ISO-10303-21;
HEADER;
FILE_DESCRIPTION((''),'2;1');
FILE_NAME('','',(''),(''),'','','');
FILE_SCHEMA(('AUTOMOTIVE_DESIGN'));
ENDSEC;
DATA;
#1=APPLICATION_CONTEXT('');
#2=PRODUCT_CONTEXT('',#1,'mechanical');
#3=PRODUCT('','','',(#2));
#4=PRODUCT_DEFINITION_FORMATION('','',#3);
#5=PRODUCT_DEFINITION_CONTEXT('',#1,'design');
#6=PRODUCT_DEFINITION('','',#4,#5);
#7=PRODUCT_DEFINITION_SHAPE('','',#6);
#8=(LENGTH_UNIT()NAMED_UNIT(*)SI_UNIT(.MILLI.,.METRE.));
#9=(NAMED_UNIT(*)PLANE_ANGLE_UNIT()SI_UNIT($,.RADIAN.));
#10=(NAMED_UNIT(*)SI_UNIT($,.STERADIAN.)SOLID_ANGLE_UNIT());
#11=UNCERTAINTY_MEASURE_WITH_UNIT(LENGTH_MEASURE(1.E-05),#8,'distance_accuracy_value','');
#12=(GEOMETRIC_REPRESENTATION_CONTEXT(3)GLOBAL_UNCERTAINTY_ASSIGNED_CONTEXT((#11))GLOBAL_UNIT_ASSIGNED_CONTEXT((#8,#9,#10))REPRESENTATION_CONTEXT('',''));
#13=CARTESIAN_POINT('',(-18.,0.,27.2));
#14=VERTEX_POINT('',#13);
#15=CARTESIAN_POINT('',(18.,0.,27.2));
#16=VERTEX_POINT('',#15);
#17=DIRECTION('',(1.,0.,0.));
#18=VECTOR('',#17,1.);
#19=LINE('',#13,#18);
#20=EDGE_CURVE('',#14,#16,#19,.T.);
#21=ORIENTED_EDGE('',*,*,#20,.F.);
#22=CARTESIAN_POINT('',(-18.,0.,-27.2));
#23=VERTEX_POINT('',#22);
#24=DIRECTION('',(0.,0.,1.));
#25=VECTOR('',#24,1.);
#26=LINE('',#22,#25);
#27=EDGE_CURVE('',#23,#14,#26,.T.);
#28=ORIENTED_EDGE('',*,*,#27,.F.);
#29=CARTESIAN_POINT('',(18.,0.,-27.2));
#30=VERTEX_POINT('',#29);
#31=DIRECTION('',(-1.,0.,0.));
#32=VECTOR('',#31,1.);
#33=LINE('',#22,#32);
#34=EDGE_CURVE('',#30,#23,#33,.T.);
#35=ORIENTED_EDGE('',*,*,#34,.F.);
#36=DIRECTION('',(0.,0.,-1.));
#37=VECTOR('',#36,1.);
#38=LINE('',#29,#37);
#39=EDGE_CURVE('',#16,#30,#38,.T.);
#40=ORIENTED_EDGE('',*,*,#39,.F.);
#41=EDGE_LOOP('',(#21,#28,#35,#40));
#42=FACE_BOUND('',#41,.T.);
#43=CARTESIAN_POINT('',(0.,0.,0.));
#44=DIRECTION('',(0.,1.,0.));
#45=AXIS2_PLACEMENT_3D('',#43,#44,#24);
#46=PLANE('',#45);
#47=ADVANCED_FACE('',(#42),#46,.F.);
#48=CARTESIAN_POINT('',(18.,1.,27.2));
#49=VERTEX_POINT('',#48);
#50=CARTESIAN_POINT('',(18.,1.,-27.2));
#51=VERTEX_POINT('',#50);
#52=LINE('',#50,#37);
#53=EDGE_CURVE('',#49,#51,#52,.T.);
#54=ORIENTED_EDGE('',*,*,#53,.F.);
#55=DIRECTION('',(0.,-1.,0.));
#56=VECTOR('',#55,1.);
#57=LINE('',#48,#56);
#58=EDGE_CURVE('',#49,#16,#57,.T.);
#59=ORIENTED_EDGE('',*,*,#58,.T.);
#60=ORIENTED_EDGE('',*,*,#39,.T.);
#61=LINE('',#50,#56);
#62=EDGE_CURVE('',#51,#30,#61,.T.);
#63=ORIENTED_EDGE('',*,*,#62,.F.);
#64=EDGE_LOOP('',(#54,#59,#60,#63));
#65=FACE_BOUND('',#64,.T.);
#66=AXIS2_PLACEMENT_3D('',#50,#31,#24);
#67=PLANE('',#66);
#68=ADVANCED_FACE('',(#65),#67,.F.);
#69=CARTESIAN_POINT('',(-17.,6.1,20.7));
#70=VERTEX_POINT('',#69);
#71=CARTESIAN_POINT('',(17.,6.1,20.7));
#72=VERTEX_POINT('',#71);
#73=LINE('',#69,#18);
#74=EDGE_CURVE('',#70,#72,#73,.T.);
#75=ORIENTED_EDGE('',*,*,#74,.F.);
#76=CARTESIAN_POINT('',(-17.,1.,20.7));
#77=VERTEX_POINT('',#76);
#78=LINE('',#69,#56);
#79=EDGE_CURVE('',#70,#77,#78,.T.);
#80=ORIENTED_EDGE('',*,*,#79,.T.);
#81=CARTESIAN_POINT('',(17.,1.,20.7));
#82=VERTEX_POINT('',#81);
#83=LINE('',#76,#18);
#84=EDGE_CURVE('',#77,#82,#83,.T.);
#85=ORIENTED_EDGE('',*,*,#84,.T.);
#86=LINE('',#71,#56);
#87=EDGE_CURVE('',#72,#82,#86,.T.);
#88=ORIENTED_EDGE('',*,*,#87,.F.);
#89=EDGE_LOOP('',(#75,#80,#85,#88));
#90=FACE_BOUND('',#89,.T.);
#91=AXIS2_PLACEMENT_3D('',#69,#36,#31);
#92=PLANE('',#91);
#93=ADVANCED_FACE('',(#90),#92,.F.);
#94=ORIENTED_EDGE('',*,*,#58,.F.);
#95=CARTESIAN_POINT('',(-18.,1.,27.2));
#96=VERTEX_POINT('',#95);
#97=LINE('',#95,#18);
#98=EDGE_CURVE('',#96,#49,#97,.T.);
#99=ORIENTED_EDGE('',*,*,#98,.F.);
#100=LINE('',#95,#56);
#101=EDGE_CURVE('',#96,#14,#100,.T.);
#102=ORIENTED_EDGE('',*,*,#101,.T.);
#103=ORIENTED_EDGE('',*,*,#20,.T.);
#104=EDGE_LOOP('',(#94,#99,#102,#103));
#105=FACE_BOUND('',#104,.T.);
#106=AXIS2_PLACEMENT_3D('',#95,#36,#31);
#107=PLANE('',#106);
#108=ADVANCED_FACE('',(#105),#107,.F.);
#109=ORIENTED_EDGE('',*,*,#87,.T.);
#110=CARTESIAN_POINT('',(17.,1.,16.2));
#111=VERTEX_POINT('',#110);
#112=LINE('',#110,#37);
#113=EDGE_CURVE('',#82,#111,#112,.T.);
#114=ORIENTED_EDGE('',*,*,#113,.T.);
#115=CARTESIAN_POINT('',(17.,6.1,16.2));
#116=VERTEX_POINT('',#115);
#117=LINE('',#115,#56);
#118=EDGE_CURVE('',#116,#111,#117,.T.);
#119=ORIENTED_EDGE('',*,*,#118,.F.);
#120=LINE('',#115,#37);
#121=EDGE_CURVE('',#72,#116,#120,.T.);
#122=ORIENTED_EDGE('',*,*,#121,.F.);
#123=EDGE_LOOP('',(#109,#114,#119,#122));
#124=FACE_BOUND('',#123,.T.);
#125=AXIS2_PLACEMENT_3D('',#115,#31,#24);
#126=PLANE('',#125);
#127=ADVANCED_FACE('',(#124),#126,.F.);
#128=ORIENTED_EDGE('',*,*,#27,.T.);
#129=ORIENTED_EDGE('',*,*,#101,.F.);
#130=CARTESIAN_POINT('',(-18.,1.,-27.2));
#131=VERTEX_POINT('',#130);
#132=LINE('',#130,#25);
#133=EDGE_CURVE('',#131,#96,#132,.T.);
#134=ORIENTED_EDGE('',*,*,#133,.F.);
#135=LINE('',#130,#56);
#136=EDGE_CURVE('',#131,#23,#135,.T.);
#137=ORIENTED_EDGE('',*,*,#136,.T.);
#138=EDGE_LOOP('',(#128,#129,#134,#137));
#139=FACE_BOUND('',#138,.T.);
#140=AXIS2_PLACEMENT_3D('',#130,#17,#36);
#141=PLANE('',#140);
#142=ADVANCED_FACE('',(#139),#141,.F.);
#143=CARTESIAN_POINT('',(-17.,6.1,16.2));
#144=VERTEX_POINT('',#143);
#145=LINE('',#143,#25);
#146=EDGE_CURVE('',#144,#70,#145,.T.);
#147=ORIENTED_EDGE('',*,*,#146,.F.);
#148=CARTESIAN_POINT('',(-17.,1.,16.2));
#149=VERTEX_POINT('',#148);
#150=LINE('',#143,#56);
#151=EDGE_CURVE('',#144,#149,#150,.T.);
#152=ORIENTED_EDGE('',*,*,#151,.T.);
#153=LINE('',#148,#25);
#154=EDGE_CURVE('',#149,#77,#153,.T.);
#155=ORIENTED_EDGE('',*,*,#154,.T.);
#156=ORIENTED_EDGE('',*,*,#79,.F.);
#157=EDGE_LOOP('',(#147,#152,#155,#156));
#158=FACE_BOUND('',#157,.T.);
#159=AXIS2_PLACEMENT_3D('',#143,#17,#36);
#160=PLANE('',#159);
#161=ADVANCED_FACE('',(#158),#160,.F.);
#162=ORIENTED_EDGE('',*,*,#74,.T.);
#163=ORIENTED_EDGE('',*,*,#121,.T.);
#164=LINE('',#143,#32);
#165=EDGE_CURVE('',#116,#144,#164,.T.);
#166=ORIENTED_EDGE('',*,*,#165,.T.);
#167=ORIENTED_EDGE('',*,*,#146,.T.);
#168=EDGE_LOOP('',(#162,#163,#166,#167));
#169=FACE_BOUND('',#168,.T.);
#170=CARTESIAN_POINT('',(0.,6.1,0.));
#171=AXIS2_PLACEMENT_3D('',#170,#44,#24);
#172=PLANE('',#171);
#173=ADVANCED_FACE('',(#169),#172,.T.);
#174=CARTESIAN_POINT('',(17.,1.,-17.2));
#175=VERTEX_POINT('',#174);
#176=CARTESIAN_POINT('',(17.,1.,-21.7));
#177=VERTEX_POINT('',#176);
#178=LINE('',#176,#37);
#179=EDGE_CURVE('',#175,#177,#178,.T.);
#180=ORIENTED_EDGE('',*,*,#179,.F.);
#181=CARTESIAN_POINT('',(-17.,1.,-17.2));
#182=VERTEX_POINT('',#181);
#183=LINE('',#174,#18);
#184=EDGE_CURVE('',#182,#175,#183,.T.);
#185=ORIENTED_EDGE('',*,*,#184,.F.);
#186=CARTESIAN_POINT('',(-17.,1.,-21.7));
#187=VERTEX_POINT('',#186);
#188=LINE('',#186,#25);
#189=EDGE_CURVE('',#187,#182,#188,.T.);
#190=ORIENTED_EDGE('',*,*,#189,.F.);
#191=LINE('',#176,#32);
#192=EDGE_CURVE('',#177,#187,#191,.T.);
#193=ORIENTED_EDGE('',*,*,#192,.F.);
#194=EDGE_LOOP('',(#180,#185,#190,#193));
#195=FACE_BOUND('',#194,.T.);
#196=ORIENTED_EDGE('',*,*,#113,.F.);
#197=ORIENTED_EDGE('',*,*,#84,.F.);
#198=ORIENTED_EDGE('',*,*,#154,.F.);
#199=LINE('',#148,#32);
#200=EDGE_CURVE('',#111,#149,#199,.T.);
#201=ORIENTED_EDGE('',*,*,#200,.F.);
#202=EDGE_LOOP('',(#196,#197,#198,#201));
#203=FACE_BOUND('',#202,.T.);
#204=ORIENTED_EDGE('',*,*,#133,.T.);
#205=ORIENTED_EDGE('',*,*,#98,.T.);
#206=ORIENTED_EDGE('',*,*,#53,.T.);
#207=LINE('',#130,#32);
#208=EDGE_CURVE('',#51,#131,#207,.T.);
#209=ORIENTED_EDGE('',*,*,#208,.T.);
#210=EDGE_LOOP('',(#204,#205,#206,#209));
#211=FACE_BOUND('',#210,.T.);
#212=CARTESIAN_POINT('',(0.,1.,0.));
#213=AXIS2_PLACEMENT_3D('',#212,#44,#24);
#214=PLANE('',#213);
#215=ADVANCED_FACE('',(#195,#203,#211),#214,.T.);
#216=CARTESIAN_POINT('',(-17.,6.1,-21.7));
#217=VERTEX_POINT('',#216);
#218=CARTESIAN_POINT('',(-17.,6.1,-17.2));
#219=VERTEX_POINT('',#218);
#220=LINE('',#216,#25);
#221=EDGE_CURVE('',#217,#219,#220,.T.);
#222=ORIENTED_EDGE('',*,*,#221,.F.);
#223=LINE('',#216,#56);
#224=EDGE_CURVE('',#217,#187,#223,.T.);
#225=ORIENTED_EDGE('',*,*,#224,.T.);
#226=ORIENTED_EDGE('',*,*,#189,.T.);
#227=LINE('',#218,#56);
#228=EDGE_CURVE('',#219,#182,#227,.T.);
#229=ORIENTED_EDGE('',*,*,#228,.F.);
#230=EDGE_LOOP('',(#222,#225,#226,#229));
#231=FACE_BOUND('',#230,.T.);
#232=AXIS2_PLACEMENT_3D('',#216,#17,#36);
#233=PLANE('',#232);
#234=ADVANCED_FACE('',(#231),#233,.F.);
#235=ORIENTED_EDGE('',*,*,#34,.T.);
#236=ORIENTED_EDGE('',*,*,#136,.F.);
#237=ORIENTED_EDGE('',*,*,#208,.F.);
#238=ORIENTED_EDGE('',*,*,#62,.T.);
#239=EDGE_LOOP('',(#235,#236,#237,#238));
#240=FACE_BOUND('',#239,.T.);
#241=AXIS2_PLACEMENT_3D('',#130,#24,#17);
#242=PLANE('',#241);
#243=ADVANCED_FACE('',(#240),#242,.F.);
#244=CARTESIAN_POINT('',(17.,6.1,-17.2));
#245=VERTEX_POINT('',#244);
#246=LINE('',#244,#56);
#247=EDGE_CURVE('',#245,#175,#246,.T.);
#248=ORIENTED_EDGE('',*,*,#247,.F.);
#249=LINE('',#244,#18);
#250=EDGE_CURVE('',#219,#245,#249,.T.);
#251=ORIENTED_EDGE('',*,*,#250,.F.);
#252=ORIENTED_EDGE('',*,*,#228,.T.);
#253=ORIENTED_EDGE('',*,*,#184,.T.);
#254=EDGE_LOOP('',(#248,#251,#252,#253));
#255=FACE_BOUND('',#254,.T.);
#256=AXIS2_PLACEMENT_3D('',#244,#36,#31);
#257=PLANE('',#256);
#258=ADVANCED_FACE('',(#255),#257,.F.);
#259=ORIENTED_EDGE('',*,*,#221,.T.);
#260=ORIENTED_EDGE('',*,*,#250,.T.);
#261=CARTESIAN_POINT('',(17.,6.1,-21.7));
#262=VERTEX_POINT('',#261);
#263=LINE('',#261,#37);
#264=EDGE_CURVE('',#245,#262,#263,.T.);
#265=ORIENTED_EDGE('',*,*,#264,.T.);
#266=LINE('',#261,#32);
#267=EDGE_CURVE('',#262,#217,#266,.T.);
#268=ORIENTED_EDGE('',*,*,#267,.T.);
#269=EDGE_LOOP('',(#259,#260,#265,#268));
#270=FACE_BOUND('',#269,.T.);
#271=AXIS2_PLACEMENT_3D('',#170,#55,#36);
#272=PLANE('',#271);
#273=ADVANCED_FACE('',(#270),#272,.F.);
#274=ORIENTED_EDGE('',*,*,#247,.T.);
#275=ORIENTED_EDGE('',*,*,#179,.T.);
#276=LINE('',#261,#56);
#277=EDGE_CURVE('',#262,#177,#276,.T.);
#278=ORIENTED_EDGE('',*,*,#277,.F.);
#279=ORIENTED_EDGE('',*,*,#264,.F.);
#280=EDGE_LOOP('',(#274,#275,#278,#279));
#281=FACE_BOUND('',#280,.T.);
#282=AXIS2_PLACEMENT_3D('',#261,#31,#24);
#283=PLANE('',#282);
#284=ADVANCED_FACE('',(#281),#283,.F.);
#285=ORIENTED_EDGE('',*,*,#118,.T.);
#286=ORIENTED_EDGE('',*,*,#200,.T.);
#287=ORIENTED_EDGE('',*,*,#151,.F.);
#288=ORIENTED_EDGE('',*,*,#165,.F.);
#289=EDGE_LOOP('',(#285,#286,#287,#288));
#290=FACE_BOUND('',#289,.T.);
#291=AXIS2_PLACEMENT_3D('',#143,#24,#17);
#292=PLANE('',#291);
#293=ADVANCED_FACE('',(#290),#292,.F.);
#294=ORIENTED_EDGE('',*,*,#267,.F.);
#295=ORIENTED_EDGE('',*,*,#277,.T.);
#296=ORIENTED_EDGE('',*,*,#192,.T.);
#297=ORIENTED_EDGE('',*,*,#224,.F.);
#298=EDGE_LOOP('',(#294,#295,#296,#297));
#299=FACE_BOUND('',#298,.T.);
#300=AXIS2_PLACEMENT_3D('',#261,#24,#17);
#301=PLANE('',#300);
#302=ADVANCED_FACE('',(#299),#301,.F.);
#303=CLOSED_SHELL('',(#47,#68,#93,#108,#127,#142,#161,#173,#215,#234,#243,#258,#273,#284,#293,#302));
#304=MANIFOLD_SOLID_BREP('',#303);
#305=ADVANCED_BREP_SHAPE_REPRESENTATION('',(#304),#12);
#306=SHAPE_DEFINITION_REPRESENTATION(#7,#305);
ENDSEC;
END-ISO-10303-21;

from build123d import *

# Parameters (mm, degrees)
ESBO_O1_W                = 36
ESBO_O1_H                = 54.4
RESSALTO_EXTRUS_O1_DEPTH = 1
ESBO_O2_W                = 34
ESBO_O2_H                = 4.5
RESSALTO_EXTRUS_O2_DEPTH = 5.1


with BuildPart() as part:
    # Esboço1 → Ressalto-extrusão1 (new body)
    with BuildSketch(Plane(origin=(0, 0, 0), x_dir=(1, 0, 0), z_dir=(0, 1, 0))):
        Rectangle(ESBO_O1_W, ESBO_O1_H)
    extrude(amount=RESSALTO_EXTRUS_O1_DEPTH)

    # Esboço2 → Ressalto-extrusão2 (add)
    with BuildSketch(Plane(origin=(0, 1, 0), x_dir=(1, 0, 0), z_dir=(0, 1, 0))):
        with Locations((0, -18.45)):
            Rectangle(ESBO_O2_W, ESBO_O2_H)
        with Locations((0, 19.45)):
            Rectangle(ESBO_O2_W, ESBO_O2_H)
    extrude(amount=RESSALTO_EXTRUS_O2_DEPTH)


solid = part.part
